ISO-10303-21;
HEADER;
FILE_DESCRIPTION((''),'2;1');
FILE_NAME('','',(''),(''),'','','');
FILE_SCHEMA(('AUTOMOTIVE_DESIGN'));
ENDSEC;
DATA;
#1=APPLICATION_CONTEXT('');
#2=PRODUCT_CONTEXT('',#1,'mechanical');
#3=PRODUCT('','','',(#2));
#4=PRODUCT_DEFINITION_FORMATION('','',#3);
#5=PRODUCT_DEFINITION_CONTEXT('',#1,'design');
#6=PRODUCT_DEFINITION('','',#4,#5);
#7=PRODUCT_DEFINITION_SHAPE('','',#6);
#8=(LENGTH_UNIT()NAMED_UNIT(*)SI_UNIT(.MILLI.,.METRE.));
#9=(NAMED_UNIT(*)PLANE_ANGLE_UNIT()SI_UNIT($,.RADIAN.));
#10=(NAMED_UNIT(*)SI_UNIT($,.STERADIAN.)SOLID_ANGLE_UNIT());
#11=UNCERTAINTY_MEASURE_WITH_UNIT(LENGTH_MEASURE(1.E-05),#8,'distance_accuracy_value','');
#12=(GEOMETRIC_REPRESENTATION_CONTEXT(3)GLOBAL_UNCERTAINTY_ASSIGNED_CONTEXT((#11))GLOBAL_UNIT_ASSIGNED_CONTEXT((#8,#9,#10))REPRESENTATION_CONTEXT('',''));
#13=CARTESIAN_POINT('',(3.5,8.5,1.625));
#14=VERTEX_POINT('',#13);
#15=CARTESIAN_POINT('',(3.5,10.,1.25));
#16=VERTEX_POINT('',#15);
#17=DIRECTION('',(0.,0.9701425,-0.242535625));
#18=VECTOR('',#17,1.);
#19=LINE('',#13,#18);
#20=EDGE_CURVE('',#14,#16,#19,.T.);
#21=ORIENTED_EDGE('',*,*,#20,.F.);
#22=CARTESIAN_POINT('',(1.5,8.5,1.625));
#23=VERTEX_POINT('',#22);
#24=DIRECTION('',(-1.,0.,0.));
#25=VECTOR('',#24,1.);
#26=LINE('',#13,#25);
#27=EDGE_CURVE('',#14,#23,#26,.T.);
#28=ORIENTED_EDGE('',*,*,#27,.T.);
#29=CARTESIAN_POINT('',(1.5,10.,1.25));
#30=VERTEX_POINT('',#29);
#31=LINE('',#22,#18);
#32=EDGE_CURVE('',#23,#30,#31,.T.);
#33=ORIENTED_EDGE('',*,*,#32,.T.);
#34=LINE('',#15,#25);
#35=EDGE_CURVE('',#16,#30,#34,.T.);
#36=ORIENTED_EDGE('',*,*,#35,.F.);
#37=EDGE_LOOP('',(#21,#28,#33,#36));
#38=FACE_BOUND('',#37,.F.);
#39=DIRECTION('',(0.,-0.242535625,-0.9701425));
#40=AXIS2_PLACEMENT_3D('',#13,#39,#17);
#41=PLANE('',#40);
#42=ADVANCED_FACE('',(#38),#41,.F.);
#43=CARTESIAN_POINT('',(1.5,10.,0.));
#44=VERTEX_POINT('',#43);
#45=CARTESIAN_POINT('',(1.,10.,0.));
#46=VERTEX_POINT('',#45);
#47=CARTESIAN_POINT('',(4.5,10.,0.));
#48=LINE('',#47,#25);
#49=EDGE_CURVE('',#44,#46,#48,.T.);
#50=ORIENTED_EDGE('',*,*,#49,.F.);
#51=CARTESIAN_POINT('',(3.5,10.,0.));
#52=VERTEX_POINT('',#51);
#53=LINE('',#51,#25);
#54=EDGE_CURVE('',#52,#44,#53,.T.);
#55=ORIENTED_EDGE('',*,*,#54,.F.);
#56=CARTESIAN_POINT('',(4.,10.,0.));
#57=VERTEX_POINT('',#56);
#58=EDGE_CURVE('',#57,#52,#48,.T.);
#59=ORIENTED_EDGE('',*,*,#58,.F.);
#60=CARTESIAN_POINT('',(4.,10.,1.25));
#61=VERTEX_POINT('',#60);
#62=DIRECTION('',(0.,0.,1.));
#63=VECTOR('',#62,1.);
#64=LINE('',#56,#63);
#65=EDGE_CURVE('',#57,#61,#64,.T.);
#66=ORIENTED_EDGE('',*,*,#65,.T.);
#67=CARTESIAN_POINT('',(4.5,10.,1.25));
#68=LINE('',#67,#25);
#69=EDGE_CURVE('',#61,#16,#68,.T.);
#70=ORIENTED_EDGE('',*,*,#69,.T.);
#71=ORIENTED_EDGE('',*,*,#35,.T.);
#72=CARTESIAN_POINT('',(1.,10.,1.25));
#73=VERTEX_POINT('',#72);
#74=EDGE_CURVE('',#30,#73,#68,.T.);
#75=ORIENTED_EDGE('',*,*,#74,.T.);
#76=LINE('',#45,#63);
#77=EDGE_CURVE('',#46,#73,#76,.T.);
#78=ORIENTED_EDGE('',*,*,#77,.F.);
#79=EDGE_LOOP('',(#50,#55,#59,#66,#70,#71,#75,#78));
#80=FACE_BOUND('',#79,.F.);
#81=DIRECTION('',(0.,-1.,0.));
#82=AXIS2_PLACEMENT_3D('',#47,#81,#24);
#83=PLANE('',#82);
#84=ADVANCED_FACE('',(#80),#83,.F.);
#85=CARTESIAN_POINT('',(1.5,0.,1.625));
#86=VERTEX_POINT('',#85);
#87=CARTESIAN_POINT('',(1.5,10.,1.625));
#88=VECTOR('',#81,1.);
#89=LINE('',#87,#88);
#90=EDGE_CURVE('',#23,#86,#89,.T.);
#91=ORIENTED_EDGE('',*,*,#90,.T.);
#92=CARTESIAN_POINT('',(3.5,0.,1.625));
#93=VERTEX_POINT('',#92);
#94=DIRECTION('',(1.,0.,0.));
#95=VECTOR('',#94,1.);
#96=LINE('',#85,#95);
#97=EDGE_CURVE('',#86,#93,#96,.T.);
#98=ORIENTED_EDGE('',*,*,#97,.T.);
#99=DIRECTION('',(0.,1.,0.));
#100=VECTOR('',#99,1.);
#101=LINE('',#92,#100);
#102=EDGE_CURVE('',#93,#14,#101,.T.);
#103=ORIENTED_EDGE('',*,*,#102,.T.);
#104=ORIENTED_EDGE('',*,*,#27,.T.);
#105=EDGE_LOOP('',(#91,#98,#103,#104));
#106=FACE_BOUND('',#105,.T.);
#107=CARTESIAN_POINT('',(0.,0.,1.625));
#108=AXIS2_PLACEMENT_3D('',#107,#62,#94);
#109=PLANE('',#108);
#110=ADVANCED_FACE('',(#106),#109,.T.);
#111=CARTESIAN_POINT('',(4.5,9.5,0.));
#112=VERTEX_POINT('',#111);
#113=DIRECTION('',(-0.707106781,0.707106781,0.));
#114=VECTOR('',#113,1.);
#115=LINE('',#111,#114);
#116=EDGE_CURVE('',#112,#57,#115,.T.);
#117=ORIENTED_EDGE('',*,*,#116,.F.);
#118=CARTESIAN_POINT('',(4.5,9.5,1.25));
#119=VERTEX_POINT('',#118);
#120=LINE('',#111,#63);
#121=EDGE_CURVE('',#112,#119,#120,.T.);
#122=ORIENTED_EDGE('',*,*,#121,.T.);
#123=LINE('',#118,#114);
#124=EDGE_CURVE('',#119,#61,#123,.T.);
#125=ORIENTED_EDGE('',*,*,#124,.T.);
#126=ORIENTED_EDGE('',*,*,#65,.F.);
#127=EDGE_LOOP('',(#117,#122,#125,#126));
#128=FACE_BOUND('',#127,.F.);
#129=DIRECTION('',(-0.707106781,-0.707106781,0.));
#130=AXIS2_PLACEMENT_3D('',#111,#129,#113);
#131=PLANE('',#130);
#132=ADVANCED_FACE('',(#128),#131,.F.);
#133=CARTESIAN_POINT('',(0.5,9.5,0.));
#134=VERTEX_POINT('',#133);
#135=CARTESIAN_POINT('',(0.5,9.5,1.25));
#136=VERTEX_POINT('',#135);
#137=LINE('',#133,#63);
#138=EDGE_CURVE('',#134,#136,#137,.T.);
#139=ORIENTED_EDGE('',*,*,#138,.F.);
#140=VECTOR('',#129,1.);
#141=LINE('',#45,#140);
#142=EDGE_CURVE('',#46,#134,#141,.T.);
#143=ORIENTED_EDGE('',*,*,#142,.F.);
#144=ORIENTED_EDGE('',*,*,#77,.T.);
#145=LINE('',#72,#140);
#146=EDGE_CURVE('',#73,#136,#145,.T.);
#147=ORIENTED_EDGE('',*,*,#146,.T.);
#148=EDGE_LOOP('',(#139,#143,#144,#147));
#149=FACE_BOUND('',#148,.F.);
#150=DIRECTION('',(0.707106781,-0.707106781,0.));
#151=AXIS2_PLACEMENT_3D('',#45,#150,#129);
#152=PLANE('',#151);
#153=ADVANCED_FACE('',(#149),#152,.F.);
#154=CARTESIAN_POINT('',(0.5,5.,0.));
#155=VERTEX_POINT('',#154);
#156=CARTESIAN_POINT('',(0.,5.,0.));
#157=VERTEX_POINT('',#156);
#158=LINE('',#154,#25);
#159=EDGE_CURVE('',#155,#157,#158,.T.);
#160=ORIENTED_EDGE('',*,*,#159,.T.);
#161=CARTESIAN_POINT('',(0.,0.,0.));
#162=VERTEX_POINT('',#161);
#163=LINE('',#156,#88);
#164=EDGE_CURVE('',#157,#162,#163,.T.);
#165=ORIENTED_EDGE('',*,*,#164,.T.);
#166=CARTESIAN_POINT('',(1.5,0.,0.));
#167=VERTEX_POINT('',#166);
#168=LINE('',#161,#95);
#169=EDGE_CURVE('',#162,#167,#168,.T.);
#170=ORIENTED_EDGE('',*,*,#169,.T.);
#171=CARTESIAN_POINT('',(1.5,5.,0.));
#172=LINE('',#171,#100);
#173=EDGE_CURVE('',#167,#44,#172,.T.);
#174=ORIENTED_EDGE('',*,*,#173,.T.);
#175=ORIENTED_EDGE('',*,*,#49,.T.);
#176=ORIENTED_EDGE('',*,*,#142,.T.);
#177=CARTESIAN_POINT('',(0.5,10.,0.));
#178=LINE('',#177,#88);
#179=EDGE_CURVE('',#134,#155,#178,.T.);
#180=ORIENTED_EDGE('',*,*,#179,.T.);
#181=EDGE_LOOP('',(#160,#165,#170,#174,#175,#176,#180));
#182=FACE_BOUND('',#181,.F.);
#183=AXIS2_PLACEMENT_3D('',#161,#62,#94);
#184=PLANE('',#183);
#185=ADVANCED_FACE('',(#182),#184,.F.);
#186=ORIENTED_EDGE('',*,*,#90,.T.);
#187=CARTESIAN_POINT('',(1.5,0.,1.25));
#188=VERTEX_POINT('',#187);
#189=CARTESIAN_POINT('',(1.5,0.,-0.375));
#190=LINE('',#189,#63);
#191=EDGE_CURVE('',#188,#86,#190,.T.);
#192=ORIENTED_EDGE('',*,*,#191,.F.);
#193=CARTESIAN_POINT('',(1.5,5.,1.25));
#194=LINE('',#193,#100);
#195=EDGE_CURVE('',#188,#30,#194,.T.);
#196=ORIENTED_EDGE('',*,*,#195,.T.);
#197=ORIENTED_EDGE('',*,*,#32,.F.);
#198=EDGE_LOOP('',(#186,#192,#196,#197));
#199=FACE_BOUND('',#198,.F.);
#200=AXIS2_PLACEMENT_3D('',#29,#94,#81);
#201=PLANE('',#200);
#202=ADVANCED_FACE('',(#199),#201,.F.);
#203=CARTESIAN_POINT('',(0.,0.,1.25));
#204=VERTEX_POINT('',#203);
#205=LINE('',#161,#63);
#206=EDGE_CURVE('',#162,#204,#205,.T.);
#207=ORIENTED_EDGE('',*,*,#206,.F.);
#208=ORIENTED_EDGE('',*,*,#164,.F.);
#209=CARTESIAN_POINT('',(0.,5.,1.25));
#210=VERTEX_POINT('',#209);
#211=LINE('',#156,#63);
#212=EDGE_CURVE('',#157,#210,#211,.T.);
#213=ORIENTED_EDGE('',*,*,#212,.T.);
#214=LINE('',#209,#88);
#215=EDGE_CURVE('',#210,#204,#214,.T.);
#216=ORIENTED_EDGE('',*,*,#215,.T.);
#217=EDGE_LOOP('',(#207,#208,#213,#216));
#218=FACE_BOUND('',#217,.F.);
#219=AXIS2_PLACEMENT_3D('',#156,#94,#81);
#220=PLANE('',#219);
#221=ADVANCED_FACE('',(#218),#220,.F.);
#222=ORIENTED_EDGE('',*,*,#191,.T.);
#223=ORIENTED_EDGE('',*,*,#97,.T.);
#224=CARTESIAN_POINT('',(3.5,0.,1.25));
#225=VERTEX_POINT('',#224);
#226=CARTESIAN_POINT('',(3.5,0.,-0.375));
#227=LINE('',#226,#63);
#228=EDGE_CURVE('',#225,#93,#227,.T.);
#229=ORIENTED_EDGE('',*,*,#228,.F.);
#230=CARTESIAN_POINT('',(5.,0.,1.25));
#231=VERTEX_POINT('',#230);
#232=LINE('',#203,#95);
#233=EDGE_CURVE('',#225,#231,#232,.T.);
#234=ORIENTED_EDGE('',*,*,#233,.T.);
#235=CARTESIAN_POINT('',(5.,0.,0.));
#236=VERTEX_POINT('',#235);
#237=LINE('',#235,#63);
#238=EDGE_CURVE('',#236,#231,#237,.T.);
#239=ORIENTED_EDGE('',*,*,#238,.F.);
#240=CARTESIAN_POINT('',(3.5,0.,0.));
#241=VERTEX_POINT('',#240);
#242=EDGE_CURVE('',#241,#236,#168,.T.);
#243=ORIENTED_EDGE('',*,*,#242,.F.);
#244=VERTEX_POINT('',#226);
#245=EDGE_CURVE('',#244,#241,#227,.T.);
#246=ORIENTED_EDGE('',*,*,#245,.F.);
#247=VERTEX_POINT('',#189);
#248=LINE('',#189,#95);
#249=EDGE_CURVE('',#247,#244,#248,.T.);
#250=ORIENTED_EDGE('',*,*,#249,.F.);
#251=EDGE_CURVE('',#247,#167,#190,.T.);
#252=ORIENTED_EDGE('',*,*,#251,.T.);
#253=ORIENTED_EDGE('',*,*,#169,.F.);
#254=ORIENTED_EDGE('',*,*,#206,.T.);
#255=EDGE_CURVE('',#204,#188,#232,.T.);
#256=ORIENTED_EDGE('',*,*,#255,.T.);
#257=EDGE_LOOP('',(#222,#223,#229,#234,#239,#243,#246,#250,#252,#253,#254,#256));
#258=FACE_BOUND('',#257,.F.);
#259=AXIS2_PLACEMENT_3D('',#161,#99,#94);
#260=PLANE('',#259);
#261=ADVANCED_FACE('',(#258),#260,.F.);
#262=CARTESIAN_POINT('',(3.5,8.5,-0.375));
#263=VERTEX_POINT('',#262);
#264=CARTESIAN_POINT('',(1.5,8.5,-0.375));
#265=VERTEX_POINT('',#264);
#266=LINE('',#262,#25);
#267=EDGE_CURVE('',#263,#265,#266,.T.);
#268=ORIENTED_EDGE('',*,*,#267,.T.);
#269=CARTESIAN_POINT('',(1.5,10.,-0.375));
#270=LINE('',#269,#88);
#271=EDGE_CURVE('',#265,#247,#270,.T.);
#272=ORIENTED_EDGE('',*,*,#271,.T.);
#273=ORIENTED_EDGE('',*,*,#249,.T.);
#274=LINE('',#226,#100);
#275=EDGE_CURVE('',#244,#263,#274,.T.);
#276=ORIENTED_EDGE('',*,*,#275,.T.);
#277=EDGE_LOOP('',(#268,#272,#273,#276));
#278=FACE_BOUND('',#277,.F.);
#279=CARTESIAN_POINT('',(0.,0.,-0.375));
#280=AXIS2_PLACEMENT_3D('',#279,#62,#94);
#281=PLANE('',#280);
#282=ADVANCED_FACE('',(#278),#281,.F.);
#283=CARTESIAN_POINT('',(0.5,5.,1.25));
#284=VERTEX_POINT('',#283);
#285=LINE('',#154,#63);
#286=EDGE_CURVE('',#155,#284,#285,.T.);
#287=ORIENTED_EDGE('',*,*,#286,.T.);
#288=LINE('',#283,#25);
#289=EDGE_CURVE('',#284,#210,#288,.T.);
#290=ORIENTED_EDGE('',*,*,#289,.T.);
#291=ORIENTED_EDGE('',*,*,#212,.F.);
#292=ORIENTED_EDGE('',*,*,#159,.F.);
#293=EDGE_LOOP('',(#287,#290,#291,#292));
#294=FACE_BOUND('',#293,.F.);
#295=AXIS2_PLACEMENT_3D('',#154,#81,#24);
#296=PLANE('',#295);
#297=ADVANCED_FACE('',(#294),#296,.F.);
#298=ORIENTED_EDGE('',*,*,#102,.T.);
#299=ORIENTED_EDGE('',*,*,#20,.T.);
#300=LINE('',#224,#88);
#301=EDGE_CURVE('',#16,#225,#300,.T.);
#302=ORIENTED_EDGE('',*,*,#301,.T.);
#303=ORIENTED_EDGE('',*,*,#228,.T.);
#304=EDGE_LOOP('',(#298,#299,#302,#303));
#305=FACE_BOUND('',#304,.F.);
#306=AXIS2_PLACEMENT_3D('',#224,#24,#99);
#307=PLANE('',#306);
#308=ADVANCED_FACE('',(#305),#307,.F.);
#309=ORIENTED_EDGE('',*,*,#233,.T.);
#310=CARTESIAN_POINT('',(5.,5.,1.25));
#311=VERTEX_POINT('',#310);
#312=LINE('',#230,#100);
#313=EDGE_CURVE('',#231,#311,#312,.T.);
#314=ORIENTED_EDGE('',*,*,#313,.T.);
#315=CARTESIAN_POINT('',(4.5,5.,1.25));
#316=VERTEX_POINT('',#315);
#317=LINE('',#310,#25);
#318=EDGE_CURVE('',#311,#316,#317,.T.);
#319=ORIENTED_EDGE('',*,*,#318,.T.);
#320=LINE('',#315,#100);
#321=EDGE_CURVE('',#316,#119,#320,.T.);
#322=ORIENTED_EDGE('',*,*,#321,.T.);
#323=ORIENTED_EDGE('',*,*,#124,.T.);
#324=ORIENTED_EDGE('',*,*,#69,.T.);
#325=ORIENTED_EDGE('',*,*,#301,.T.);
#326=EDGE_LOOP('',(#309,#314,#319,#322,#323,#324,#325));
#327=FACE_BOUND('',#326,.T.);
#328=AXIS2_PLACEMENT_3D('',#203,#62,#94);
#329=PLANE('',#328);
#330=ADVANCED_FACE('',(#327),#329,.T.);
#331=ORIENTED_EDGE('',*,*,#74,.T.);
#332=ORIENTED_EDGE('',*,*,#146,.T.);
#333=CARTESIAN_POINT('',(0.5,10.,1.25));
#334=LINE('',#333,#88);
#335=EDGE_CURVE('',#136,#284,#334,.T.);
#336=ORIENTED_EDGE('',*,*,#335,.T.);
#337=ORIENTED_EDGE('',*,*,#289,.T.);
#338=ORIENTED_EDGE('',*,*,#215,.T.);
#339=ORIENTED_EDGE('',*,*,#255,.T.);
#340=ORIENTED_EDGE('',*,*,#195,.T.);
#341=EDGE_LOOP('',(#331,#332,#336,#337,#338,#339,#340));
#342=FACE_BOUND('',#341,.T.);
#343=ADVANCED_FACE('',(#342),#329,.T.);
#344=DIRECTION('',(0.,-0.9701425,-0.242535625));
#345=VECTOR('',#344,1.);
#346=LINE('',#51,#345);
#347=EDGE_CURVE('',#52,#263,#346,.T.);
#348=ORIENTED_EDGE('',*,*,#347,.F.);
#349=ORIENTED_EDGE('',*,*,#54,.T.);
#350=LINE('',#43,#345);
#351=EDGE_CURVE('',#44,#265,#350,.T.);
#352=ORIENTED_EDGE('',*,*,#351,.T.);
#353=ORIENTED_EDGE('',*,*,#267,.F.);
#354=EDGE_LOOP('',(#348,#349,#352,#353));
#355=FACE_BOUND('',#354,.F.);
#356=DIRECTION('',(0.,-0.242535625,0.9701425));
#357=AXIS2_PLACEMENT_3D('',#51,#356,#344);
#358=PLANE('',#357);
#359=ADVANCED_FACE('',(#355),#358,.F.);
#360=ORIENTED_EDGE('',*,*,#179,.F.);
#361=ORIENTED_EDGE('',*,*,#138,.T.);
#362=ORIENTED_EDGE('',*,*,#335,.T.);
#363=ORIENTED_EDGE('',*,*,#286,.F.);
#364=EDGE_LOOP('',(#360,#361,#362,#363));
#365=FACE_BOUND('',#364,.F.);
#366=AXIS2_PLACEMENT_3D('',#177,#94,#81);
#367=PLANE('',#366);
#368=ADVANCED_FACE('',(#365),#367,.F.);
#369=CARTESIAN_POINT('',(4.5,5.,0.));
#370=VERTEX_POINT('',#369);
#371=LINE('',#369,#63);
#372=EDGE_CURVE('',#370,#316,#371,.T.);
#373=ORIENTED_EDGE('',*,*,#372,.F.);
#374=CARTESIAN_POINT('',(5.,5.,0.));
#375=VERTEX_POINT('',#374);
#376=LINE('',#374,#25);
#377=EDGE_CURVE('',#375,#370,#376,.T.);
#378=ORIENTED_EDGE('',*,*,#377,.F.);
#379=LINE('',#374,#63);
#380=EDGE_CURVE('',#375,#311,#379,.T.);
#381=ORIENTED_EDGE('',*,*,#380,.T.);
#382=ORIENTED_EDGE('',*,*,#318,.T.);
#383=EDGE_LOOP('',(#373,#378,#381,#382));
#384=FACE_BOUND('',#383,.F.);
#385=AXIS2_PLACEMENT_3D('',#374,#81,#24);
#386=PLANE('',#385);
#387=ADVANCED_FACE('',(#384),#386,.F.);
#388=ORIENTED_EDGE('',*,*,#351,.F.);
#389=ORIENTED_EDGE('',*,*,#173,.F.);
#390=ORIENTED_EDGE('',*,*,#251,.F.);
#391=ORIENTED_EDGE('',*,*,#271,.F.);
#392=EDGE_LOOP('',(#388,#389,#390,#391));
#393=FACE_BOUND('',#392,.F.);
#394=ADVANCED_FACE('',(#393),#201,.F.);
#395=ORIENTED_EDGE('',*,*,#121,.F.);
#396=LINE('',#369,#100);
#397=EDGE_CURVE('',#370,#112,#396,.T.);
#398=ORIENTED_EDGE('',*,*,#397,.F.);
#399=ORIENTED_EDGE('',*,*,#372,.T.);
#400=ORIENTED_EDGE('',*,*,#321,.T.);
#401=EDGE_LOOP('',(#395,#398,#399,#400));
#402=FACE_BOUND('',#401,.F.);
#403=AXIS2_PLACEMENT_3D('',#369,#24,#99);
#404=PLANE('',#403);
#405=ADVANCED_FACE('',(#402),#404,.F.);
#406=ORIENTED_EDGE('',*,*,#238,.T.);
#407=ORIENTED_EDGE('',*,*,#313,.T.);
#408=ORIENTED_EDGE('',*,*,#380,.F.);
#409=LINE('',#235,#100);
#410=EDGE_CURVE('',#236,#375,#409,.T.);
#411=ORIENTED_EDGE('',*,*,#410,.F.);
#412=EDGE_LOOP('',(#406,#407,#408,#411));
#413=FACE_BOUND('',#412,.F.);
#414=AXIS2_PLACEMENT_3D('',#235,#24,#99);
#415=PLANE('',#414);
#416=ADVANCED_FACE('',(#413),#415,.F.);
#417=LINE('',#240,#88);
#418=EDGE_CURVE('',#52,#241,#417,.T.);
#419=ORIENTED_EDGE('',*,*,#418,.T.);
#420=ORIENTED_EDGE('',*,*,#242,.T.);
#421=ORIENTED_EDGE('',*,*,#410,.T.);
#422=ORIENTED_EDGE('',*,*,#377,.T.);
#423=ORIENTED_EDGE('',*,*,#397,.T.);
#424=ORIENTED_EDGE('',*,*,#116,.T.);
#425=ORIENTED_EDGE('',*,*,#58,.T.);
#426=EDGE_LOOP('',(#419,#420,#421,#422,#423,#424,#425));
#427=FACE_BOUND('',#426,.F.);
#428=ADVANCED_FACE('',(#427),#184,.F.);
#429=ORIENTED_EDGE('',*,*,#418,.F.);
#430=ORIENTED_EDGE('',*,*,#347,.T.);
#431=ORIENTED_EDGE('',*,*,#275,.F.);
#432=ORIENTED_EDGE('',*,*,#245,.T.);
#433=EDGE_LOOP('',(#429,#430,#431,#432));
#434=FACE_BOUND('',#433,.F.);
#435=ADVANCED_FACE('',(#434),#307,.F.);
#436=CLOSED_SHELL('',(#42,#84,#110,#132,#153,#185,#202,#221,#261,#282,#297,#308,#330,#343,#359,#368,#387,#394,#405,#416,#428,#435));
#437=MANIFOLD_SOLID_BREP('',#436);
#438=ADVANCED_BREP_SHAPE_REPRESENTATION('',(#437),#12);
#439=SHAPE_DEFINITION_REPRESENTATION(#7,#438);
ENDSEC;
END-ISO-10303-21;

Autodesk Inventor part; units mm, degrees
ref_plane "Plan YZ" through (0, 0, 0) normal (1, 0, 0) x (0, 1, 0)
ref_plane "Plan XZ" through (0, 0, 0) normal (0, 1, 0) x (-1, 0, 0)
ref_plane "Plan XY" through (0, 0, 0) normal (0, 0, 1) x (1, 0, 0)
sketch "Esquisse1" plane through (0, 0, 0) normal (0, 0, 1) x (1, 0, 0)
  line L0 (0, 0) -> (5, 0)
  line L1 (5, 0) -> (5, 5)
  line L2 (5, 5) -> (4.5, 5)
  line L3 (4.5, 5) -> (4.5, 10)
  line L4 (4.5, 10) -> (0.5, 10)
  line L5 (0.5, 10) -> (0.5, 5)
  line L6 (0.5, 5) -> (0, 5)
  line L7 (0, 5) -> (0, 0)
  dimension "d0" = 5
  dimension "d1" = 5
  dimension "d2" = 5
  dimension "d3" = 4
extrude "Extrusion1" add sketch "Esquisse1" along normal blind 1.25
sketch "Esquisse6" plane through (0, 0, 1.25) normal (0, 0, 1) x (1, 0, 0)
  line L0 (1.5, 0) -> (3.5, 0)
  line L1 (3.5, 0) -> (3.5, 10)
  line L2 (3.5, 10) -> (1.5, 10)
  line L3 (1.5, 10) -> (1.5, 0)
  line L4 (4.5, 10) -> (0.5, 10) projected
  line L5 (0, 0) -> (5, 0) projected
  line L6 (4.5, 5) -> (3.5, 5) construction
  line L7 (0.5, 5) -> (1.5, 5) construction
  dimension "d6" = 2
extrude "Extrusion2" add sketch "Esquisse6" along normal blind 0.375 and the other way blind 1.625
sketch "Esquisse7" plane through (3.5, 0, 1.25) normal (1, 0, 0) x (0, 0, -1)
  line L0 (0, 10) -> (-0.375, 10)
  line L1 (-0.375, 10) -> (-0.375, 8.5)
  line L2 (-0.375, 8.5) -> (0, 10)
  line L3 (1.25, 10) -> (1.625, 8.5)
  line L4 (1.625, 8.5) -> (1.625, 10)
  line L5 (1.625, 10) -> (1.25, 10)
  point P0 (1.25, 0)
  dimension "d11" = 1.5
  dimension "d12" = 1.5
extrude "Extrusion3" cut sketch "Esquisse7" against normal blind 2
sketch "Esquisse8" plane through (0, 0, 0) normal (0, 0, -1) x (-1, 0, 0)
  line L0 (-4.5, 9.5) -> (-4, 10)
  line L1 (-4, 10) -> (-4.5, 10)
  line L2 (-4.5, 10) -> (-4.5, 9.5)
  line L3 (-1, 10) -> (-0.5, 9.5)
  line L4 (-0.5, 9.5) -> (-0.5, 10)
  line L5 (-0.5, 10) -> (-1, 10)
  point P0 (0, 0)
  point P1 (-0.5, 10)
  dimension "d15" = 0.5
extrude "Extrusion4" cut sketch "Esquisse8" against normal blind 1.25
equation "\"d1\" = d0"
equation "\"d2\" = d1"
equation "\"d12\" = d11"
properties part number "P1704_009_slider" material "."
